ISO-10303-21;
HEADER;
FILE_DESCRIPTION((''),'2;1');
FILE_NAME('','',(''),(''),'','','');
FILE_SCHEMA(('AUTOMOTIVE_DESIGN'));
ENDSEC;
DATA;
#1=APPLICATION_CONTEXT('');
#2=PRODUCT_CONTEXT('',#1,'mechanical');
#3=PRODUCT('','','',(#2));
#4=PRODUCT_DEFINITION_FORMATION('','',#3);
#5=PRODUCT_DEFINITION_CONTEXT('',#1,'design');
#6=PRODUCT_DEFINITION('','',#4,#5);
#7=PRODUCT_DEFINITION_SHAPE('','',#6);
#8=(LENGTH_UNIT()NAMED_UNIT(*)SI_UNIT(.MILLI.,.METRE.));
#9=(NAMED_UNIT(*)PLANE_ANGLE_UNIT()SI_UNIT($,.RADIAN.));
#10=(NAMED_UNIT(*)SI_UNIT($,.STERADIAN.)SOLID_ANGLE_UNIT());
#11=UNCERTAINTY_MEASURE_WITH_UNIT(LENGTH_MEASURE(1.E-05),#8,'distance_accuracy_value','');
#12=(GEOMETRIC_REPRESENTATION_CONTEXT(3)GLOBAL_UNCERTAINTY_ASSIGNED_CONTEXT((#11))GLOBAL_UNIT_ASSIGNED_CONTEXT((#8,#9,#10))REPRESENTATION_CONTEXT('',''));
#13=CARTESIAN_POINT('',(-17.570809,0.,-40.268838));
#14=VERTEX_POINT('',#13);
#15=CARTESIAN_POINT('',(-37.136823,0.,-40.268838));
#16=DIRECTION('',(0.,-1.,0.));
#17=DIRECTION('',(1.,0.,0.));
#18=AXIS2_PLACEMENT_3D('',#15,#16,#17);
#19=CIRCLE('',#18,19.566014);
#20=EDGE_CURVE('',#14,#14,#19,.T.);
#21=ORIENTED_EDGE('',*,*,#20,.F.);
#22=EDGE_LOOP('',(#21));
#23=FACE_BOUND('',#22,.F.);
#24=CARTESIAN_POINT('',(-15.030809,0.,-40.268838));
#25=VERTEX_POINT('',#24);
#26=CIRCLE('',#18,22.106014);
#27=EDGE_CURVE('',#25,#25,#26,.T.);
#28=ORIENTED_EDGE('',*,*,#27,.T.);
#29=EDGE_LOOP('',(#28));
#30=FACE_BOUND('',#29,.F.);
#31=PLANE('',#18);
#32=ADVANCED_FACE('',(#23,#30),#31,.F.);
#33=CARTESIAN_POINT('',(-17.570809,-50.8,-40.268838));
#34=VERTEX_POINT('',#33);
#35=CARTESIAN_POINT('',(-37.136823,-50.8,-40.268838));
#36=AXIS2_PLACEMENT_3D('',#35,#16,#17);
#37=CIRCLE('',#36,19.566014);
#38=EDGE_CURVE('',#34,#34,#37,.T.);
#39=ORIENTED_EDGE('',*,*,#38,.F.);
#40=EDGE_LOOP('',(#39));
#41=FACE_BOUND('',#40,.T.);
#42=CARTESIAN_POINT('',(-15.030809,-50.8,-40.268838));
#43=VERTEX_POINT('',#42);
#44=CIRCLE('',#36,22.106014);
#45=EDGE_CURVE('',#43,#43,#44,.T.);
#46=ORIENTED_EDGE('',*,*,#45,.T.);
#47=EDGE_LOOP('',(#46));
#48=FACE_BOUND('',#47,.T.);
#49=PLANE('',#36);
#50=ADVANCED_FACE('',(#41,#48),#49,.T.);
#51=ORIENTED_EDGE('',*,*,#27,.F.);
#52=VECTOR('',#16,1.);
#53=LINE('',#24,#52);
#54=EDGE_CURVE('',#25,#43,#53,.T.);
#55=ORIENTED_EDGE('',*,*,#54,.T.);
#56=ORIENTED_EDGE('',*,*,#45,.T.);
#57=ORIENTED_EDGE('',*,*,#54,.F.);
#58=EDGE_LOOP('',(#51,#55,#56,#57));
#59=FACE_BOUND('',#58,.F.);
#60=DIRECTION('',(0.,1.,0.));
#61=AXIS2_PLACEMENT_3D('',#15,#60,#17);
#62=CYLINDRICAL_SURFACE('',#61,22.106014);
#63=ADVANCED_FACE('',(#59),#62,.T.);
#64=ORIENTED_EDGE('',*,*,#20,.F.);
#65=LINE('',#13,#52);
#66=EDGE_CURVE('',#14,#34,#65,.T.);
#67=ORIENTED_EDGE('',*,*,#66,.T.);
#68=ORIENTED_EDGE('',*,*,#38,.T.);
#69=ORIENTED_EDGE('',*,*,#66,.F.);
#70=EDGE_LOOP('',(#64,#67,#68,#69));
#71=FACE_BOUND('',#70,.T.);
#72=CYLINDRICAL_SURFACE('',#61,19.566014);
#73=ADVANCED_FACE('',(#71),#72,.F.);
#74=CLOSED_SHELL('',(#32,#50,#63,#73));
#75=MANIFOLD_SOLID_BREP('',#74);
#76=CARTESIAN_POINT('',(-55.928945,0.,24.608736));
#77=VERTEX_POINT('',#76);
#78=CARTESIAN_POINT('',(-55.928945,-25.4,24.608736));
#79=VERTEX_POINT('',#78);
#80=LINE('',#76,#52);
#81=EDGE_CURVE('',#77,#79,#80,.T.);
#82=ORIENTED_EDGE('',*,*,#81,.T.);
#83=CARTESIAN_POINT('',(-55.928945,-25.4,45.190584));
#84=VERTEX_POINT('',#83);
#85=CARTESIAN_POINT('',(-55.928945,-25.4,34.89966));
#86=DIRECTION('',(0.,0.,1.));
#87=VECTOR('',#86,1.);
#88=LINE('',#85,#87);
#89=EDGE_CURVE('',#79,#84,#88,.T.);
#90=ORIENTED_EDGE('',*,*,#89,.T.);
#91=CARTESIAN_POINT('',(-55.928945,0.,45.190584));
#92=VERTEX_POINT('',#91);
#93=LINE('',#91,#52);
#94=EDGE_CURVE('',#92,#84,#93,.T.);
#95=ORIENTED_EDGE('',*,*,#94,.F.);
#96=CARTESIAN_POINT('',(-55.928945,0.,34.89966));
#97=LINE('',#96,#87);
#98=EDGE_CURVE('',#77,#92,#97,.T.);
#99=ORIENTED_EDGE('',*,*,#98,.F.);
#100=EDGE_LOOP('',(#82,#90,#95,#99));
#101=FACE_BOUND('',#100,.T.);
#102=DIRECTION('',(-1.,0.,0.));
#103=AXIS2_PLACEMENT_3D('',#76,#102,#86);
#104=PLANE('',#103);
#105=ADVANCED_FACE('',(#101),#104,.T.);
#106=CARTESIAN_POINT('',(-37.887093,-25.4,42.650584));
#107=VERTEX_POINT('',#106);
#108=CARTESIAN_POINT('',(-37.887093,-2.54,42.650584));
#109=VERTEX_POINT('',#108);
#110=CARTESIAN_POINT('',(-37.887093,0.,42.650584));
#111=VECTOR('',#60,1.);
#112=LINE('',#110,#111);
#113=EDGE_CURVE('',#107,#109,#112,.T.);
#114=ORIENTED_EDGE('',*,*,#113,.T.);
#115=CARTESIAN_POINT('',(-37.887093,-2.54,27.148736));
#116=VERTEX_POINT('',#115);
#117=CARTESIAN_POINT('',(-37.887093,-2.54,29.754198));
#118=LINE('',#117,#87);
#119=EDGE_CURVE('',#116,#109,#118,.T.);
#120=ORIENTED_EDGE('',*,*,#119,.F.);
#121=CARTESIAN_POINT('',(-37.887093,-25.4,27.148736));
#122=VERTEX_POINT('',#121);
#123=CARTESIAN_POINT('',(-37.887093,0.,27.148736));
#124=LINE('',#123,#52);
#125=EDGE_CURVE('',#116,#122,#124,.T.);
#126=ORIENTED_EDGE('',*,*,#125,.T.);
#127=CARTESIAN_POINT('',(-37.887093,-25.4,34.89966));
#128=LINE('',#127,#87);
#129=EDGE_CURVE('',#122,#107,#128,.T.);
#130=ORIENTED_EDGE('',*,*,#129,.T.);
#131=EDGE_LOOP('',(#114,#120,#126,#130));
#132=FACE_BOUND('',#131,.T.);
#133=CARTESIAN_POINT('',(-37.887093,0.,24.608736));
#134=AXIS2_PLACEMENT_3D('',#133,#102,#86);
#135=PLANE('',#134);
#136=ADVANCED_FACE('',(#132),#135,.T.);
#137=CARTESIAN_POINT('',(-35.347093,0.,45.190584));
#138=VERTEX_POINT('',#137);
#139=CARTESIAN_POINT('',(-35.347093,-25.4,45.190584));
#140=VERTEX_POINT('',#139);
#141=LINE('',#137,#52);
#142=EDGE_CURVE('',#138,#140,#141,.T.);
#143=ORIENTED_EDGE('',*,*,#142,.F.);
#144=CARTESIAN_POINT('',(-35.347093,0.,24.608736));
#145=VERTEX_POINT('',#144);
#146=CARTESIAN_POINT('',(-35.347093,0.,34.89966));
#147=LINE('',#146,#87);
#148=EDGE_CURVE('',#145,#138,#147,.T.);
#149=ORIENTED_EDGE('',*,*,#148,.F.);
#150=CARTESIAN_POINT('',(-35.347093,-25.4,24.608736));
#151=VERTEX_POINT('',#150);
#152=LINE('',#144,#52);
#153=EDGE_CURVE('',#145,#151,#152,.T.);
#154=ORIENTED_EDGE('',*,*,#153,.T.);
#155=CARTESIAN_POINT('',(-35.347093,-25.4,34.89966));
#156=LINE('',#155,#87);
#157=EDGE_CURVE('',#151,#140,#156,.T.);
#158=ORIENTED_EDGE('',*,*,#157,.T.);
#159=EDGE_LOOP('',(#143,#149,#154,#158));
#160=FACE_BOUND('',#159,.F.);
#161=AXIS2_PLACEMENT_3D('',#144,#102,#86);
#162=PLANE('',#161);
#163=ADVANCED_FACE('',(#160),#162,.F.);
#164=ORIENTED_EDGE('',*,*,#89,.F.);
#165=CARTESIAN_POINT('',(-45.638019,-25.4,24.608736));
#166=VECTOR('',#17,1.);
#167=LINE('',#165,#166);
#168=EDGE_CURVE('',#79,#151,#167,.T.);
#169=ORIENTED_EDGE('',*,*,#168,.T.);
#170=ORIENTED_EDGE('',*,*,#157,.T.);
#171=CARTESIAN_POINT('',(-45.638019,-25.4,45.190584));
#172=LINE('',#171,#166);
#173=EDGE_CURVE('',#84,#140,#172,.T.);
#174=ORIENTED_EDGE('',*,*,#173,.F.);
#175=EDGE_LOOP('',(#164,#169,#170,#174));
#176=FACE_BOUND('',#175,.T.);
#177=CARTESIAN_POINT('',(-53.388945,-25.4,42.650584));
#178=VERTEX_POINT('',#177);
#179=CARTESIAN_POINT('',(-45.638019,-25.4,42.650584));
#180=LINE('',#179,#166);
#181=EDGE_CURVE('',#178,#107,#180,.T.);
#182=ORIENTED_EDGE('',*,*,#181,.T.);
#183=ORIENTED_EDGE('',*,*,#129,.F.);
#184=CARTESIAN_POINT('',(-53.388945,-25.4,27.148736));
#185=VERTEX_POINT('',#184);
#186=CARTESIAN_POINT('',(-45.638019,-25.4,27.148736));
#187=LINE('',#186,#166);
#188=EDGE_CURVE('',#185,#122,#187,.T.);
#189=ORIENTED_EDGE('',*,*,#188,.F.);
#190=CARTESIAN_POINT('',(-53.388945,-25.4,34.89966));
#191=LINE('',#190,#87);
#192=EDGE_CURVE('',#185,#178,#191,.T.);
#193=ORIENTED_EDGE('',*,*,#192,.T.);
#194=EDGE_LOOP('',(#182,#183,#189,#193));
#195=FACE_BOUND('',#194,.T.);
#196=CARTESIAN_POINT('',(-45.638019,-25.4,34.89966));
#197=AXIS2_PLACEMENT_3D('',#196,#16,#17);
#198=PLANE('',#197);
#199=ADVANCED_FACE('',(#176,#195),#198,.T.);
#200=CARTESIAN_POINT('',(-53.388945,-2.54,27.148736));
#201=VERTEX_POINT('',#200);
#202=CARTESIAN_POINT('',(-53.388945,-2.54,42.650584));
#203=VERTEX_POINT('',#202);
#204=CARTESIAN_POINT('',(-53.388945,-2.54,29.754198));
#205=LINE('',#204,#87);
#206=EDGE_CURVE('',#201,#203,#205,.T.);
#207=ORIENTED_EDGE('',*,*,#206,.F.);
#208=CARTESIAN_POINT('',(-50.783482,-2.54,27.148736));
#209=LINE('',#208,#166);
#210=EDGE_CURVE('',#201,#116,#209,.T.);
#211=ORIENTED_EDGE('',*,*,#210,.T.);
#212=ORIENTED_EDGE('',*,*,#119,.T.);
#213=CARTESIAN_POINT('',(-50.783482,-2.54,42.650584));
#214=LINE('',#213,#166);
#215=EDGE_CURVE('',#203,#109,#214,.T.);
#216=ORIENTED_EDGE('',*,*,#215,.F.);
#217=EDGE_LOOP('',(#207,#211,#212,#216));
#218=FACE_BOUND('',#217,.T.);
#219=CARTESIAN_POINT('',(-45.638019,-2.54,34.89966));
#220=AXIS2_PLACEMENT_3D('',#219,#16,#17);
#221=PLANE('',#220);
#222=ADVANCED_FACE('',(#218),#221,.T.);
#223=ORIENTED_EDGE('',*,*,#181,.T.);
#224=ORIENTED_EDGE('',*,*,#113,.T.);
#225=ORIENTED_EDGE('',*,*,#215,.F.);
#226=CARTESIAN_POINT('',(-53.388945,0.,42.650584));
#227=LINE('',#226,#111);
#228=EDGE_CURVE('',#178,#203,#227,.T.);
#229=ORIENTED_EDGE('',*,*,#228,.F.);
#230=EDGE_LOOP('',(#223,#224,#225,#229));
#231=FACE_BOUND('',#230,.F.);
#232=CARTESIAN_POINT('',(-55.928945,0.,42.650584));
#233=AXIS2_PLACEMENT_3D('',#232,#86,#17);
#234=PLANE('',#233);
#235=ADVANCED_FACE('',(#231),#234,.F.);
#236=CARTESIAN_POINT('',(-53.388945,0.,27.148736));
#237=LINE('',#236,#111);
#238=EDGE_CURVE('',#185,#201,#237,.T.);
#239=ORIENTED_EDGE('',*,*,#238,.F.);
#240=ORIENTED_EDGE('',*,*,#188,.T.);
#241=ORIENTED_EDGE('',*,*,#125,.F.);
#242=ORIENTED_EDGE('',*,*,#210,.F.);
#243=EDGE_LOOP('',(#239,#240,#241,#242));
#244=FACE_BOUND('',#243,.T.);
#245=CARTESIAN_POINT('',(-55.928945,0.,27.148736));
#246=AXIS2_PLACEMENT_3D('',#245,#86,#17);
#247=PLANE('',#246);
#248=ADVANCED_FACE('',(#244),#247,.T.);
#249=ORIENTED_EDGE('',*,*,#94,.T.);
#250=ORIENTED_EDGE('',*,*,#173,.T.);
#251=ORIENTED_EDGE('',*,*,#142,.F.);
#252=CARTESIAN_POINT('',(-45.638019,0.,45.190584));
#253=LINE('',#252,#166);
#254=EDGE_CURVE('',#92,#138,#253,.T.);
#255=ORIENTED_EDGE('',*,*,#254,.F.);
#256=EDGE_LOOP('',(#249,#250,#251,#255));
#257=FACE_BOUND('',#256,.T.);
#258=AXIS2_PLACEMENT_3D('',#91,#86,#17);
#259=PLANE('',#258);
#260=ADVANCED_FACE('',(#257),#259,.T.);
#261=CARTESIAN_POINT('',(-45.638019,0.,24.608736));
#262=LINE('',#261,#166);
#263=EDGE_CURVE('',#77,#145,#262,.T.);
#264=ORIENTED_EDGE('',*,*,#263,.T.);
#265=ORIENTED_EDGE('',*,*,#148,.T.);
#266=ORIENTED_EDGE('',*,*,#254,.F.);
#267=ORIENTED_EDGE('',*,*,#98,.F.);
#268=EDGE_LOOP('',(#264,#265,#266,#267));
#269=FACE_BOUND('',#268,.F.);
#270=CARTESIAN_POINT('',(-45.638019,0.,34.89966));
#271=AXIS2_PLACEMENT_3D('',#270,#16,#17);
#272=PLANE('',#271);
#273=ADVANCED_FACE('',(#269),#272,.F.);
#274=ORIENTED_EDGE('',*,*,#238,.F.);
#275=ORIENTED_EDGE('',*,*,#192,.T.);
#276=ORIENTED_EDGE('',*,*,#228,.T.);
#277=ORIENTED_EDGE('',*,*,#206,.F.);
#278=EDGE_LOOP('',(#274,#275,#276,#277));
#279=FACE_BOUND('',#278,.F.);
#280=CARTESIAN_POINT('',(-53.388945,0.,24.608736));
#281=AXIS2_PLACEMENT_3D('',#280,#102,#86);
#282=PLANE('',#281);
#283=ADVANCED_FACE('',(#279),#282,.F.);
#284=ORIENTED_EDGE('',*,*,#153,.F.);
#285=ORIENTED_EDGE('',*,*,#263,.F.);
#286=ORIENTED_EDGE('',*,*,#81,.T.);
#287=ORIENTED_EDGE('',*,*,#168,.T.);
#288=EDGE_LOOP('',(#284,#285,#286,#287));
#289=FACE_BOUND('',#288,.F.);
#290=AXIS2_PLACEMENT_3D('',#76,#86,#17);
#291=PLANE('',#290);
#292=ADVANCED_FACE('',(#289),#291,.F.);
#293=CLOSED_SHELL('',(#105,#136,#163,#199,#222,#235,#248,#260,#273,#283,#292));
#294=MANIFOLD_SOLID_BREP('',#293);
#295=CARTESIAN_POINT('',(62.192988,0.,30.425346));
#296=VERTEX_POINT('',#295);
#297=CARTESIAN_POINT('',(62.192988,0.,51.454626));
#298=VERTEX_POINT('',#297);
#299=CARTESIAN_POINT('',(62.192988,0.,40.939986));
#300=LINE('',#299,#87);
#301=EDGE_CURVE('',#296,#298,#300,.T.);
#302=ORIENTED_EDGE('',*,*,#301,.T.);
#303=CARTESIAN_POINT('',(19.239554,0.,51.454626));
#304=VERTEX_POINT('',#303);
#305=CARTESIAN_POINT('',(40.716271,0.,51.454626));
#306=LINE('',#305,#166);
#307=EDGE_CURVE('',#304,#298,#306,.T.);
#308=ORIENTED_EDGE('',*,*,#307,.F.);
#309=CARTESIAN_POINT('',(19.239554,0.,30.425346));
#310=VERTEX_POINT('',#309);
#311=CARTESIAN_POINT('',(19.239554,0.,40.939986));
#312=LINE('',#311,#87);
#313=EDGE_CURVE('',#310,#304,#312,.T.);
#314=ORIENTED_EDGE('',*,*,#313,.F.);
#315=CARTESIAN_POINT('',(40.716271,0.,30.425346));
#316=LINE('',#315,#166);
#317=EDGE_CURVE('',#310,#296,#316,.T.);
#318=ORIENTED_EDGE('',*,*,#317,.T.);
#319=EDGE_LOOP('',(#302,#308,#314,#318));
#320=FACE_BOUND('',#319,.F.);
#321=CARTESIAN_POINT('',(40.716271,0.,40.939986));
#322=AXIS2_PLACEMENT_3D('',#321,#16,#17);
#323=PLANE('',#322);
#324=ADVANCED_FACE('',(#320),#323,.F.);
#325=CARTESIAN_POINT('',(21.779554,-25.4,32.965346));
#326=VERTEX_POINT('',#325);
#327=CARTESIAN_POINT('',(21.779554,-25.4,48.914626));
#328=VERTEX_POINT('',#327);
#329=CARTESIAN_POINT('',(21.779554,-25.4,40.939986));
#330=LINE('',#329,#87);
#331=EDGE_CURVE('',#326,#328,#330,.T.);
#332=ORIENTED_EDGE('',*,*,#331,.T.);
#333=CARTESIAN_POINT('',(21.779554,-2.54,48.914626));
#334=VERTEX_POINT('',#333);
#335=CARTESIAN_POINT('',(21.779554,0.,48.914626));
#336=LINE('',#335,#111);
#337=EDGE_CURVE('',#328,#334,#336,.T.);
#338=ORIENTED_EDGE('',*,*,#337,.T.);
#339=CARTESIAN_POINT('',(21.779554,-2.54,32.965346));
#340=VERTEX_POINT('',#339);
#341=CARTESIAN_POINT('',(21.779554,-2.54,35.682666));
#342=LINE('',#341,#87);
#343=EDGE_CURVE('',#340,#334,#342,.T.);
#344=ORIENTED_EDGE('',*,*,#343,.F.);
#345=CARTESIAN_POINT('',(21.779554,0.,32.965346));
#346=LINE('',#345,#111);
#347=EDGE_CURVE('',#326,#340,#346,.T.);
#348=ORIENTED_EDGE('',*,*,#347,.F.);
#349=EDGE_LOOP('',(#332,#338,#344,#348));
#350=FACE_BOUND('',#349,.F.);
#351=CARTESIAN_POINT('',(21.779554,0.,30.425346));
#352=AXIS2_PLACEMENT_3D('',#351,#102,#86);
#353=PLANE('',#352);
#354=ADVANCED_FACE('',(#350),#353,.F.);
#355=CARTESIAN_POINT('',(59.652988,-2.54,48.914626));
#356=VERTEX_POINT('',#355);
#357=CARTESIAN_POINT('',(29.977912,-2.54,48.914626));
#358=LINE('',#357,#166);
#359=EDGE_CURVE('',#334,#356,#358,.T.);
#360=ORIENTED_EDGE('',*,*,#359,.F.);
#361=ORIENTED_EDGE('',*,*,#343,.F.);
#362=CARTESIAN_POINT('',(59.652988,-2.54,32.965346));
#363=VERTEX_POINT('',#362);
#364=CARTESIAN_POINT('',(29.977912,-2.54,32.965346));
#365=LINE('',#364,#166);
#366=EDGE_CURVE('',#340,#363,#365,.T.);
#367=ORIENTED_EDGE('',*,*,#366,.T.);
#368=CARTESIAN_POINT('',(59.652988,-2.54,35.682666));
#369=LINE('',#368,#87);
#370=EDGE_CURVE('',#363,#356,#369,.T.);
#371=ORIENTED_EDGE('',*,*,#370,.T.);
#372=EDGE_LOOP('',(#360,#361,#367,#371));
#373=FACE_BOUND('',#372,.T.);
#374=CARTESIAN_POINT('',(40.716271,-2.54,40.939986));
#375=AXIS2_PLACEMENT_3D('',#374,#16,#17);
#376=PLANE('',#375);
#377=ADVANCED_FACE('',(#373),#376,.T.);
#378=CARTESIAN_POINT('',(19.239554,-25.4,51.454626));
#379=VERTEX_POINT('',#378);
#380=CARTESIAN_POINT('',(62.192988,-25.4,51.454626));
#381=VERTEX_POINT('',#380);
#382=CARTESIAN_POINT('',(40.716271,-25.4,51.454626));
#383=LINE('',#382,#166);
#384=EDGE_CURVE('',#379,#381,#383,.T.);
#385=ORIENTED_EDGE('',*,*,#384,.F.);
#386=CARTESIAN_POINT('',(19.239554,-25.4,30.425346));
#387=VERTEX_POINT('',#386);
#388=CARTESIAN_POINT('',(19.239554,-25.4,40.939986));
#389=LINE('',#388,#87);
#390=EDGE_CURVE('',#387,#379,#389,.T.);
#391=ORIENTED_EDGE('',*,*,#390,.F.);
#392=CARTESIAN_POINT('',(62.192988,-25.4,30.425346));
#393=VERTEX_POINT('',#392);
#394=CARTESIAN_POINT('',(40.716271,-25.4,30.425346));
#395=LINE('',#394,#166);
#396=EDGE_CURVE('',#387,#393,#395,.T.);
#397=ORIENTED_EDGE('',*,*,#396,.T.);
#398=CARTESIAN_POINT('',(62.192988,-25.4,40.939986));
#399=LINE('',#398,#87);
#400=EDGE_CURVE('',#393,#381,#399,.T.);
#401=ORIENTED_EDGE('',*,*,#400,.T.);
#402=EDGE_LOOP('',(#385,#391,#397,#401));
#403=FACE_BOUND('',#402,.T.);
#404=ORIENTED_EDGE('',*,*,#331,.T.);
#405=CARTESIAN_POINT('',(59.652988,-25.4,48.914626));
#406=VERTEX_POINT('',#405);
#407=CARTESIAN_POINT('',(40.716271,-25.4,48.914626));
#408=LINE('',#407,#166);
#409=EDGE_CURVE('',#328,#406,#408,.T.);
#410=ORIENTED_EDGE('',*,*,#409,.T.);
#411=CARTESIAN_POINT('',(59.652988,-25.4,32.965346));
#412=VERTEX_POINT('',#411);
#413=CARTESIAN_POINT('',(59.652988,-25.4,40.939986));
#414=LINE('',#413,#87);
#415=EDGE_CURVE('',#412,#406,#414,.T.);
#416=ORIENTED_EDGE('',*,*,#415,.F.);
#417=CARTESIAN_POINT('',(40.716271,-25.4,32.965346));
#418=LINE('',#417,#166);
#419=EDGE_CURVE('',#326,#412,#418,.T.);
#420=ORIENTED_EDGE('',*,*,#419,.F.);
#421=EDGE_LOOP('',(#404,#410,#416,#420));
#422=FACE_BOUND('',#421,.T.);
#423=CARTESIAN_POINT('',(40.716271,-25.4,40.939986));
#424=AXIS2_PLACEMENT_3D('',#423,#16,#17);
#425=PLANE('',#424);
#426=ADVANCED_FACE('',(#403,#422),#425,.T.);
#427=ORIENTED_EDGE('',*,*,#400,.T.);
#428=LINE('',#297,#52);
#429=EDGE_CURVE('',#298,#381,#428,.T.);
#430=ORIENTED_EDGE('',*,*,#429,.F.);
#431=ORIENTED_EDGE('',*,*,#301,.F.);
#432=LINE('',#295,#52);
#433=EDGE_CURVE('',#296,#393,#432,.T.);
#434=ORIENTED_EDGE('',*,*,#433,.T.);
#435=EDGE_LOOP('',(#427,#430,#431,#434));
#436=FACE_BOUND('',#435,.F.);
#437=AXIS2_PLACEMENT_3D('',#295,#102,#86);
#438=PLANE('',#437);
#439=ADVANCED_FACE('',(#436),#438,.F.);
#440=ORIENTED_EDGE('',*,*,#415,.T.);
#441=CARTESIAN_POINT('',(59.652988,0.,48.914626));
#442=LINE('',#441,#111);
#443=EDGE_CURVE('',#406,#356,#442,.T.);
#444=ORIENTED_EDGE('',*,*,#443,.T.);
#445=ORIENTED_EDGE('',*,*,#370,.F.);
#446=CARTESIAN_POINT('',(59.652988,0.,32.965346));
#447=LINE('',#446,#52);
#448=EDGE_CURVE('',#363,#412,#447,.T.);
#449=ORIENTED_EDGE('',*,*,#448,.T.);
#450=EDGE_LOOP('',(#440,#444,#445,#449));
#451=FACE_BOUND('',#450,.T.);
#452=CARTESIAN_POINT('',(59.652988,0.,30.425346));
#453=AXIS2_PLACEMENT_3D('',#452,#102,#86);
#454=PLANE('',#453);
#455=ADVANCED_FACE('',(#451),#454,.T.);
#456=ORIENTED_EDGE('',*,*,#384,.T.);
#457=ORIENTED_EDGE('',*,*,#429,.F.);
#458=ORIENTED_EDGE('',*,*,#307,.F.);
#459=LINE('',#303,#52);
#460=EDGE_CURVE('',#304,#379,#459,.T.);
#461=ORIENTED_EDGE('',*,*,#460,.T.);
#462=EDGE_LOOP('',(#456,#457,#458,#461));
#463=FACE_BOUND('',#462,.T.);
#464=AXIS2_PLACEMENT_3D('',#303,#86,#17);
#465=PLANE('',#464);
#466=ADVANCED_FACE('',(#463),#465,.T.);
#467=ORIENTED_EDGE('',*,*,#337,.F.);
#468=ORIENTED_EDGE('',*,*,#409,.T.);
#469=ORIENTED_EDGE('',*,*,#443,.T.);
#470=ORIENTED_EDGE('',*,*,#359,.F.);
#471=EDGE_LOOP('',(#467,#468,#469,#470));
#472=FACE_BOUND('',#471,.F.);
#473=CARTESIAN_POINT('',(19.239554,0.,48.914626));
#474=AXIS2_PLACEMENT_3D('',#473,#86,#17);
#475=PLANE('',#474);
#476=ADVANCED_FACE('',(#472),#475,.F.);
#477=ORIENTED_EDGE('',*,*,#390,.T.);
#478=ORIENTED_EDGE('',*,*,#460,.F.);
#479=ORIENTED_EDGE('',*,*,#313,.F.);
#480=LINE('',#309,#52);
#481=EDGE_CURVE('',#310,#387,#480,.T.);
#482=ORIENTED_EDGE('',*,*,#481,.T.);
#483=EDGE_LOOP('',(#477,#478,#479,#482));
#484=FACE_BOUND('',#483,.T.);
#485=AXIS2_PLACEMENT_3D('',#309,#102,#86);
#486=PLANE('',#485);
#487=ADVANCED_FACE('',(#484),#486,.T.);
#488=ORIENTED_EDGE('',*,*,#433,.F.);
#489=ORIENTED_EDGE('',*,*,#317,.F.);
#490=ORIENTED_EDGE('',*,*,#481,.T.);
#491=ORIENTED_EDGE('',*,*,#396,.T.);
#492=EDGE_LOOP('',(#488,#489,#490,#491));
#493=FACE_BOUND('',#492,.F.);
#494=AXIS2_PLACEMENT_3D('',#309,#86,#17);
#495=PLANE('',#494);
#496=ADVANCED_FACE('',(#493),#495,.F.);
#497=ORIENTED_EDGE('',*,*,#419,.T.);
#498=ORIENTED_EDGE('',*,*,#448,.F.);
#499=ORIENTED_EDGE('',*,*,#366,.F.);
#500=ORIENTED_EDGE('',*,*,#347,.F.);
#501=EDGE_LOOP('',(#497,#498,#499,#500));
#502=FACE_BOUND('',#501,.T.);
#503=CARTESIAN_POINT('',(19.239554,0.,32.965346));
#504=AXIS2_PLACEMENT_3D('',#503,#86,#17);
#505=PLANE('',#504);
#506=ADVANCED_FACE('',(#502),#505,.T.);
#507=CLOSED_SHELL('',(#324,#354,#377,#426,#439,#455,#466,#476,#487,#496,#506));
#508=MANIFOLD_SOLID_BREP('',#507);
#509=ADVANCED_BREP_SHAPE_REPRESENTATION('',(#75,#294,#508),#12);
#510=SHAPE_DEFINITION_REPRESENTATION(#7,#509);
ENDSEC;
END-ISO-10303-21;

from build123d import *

# Parameters (mm, degrees)
F0_W     = 20.581853
F0_H     = 20.581847
F1_DEPTH = 25.4
F2_W     = 42.953434
F2_H     = 21.02928
F3_DEPTH = 25.4
F4_R     = 22.106014
F5_DEPTH = 50.8
F6_T     = -2.54
F7_T     = -2.54
F8_T     = -2.54


with BuildPart() as f1:
    # F0 (on Front) → F1 (new body)
    with BuildSketch(Plane.XZ):
        with Locations((-45.638019, 34.89966)):
            Rectangle(F0_W, F0_H)
    extrude(amount=F1_DEPTH)

    # F7
    f7_openings = [f1.faces().sort_by_distance(p)[0] for p in [
        (-45.638019, -25.4, 34.89966),
    ]]
    offset(amount=F7_T, openings=f7_openings)


with BuildPart() as f3:
    # F2 (on Front) → F3 (new body)
    with BuildSketch(Plane.XZ):
        with Locations((40.716271, 40.939986)):
            Rectangle(F2_W, F2_H)
    extrude(amount=F3_DEPTH)

    # F8
    f8_openings = [f3.faces().sort_by_distance(p)[0] for p in [
        (40.716271, -25.4, 40.939986),
    ]]
    offset(amount=F8_T, openings=f8_openings)


with BuildPart() as f5:
    # F4 (on Front) → F5 (new body)
    with BuildSketch(Plane.XZ):
        with Locations((-37.136823, -40.268838)):
            Circle(F4_R)
    extrude(amount=F5_DEPTH)

    # F6
    f6_openings = [f5.faces().sort_by_distance(p)[0] for p in [
        (-37.136823, -50.8, -40.268838),
        (-37.136823, 0, -40.268838),
    ]]
    offset(amount=F6_T, openings=f6_openings)


solid = Compound([f1.part, f3.part, f5.part])
